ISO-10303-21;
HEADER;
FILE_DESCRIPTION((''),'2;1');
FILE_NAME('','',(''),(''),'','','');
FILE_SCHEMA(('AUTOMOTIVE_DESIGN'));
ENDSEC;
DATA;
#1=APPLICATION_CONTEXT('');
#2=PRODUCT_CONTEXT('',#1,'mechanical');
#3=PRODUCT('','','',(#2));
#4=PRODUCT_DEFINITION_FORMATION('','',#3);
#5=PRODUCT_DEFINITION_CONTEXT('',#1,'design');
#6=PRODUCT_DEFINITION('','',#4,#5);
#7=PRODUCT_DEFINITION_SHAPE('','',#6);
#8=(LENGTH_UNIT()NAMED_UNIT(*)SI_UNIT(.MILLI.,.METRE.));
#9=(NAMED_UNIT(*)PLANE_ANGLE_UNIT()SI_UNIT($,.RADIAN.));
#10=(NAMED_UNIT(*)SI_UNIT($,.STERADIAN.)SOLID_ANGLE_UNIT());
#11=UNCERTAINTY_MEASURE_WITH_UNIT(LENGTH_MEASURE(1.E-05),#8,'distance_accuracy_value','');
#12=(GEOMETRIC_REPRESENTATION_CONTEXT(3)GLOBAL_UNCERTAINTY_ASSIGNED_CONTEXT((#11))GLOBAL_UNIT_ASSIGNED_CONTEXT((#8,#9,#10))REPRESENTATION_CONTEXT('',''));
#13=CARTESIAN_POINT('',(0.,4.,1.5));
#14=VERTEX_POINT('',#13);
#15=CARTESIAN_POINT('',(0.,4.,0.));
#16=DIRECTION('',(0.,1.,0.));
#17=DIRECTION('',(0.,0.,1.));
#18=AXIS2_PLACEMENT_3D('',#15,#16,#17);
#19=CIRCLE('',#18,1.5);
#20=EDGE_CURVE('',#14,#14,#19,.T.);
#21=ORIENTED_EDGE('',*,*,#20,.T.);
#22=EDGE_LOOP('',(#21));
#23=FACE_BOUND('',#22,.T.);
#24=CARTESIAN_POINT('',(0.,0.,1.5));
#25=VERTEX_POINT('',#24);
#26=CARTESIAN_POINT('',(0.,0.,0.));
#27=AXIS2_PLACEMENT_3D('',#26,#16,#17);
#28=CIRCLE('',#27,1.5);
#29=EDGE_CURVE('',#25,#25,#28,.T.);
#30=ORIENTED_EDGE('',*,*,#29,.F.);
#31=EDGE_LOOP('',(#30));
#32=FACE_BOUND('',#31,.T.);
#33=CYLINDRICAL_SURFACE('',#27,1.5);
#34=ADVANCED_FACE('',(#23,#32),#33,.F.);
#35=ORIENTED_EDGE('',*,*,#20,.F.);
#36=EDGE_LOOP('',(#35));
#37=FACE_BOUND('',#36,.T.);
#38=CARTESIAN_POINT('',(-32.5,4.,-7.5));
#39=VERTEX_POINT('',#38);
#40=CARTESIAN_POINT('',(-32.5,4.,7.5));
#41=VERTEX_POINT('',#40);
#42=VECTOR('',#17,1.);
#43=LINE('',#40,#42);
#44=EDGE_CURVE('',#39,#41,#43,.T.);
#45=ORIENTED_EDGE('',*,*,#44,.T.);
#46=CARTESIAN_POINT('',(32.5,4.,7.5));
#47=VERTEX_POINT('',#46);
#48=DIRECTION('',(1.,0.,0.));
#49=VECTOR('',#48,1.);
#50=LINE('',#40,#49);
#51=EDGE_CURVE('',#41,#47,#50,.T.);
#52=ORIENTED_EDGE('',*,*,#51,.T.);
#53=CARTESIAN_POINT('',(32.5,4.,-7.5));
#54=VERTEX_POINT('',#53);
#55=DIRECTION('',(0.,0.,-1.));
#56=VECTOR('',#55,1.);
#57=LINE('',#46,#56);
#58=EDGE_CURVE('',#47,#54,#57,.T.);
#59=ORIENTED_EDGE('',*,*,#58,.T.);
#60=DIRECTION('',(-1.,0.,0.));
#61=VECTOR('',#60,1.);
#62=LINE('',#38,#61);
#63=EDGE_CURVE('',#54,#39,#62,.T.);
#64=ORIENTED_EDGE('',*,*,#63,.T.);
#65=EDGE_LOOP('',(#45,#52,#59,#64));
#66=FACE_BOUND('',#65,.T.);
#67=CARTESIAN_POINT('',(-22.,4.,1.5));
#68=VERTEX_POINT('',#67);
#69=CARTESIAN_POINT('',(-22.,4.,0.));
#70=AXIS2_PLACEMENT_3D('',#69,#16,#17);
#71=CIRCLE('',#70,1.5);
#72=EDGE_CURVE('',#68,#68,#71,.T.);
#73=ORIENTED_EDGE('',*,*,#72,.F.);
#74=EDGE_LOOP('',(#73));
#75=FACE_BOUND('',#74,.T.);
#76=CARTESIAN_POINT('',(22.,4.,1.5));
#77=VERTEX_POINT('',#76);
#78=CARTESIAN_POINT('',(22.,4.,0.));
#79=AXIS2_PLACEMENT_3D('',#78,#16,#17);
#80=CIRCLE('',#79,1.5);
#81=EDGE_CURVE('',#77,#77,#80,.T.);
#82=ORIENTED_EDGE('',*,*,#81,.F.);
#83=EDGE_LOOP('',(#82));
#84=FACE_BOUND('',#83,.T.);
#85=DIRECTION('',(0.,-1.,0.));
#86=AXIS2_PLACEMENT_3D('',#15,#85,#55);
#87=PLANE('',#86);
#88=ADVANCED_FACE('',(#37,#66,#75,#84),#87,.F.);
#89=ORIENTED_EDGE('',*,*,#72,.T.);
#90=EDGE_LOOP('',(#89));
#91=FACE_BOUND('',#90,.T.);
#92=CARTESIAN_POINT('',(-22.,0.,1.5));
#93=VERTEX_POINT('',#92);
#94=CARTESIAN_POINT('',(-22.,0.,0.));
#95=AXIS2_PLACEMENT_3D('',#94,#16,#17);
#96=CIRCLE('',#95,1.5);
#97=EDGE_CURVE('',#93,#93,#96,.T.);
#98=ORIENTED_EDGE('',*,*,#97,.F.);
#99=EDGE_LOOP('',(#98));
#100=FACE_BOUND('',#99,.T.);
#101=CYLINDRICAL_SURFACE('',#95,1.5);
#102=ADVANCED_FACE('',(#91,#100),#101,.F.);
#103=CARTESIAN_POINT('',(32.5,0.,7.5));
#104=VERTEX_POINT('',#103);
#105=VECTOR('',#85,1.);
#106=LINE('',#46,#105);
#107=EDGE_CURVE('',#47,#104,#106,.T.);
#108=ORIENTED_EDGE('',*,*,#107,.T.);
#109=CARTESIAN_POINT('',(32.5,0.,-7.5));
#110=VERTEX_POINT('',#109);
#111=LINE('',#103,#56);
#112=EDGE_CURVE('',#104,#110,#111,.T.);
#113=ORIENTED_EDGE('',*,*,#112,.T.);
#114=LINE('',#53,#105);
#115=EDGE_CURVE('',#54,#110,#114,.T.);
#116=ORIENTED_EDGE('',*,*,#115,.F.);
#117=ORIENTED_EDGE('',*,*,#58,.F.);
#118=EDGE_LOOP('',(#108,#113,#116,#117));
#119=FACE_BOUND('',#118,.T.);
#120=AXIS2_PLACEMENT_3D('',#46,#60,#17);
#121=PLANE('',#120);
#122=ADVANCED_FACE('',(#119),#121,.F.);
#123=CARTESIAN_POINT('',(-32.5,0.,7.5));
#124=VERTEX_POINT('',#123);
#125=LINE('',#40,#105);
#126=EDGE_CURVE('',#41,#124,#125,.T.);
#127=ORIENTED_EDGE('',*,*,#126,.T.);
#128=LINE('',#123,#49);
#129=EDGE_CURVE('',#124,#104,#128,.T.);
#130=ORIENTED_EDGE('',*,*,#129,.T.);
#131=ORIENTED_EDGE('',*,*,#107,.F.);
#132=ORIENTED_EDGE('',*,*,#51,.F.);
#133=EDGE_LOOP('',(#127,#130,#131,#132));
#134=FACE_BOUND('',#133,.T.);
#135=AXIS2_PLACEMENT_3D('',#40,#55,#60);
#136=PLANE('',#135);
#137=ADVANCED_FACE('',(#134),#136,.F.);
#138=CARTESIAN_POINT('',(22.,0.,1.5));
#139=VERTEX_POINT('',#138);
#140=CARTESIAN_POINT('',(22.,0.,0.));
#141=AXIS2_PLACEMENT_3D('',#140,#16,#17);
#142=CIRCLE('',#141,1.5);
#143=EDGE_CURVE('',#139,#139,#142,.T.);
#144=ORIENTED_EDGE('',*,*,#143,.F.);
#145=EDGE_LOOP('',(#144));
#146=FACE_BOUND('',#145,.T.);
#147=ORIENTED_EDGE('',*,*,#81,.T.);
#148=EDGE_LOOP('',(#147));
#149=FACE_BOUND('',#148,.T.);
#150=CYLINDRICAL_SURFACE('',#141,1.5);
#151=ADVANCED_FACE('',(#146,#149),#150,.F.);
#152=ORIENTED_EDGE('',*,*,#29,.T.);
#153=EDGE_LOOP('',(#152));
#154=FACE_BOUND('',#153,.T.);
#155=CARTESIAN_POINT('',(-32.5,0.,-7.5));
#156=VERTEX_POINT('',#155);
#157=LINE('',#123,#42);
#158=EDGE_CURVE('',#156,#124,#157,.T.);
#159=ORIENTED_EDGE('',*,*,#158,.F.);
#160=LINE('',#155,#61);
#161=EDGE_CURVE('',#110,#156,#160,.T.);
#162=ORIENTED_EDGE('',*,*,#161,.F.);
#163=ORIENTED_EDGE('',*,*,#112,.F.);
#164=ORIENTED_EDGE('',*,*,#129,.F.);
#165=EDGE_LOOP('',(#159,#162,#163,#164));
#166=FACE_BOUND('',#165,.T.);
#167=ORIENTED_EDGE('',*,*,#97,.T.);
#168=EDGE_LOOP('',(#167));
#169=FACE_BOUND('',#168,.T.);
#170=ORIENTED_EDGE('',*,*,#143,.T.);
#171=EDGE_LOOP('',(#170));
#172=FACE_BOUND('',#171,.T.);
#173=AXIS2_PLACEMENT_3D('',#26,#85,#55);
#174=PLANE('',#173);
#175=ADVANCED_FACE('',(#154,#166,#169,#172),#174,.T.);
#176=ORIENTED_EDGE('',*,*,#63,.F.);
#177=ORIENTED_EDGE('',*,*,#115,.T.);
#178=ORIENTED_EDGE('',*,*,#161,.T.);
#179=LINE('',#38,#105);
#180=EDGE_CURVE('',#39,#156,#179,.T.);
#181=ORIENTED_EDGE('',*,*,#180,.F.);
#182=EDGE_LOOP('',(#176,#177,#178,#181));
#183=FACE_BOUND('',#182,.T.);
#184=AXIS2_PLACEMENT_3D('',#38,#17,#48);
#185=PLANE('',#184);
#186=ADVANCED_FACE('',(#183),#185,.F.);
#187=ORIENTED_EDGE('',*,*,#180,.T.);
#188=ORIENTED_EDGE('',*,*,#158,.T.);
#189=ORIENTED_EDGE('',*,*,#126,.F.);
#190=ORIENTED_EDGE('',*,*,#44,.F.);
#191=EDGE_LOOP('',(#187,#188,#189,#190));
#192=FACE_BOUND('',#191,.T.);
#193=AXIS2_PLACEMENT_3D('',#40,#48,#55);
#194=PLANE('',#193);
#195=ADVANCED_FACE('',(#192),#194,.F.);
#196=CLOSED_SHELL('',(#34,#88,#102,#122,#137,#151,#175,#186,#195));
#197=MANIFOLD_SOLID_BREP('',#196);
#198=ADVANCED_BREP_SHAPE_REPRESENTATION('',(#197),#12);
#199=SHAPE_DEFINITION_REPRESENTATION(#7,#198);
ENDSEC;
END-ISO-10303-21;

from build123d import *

# Parameters (mm, degrees)
CROQUIS1_W              = 65
CROQUIS1_H              = 15
SALIENTE_EXTRUIR1_DEPTH = 4
CROQUIS2_R              = 1.5
CORTAR_EXTRUIR1_DEPTH   = 5


with BuildPart() as part:
    # Croquis1 → Saliente-Extruir1 (new body)
    with BuildSketch(Plane(origin=(0, 0, 0), x_dir=(1, 0, 0), z_dir=(0, 1, 0))):
        Rectangle(CROQUIS1_W, CROQUIS1_H)
    extrude(amount=SALIENTE_EXTRUIR1_DEPTH)

    # Croquis2 → Cortar-Extruir1 (cut, through all)
    with BuildSketch(Plane(origin=(0, 4, 0), x_dir=(1, 0, 0), z_dir=(0, 1, 0))):
        with Locations((-22, 0)):
            Circle(CROQUIS2_R)
        Circle(CROQUIS2_R)
        with Locations((22, 0)):
            Circle(CROQUIS2_R)
    extrude(amount=-CORTAR_EXTRUIR1_DEPTH, mode=Mode.SUBTRACT)


solid = part.part
